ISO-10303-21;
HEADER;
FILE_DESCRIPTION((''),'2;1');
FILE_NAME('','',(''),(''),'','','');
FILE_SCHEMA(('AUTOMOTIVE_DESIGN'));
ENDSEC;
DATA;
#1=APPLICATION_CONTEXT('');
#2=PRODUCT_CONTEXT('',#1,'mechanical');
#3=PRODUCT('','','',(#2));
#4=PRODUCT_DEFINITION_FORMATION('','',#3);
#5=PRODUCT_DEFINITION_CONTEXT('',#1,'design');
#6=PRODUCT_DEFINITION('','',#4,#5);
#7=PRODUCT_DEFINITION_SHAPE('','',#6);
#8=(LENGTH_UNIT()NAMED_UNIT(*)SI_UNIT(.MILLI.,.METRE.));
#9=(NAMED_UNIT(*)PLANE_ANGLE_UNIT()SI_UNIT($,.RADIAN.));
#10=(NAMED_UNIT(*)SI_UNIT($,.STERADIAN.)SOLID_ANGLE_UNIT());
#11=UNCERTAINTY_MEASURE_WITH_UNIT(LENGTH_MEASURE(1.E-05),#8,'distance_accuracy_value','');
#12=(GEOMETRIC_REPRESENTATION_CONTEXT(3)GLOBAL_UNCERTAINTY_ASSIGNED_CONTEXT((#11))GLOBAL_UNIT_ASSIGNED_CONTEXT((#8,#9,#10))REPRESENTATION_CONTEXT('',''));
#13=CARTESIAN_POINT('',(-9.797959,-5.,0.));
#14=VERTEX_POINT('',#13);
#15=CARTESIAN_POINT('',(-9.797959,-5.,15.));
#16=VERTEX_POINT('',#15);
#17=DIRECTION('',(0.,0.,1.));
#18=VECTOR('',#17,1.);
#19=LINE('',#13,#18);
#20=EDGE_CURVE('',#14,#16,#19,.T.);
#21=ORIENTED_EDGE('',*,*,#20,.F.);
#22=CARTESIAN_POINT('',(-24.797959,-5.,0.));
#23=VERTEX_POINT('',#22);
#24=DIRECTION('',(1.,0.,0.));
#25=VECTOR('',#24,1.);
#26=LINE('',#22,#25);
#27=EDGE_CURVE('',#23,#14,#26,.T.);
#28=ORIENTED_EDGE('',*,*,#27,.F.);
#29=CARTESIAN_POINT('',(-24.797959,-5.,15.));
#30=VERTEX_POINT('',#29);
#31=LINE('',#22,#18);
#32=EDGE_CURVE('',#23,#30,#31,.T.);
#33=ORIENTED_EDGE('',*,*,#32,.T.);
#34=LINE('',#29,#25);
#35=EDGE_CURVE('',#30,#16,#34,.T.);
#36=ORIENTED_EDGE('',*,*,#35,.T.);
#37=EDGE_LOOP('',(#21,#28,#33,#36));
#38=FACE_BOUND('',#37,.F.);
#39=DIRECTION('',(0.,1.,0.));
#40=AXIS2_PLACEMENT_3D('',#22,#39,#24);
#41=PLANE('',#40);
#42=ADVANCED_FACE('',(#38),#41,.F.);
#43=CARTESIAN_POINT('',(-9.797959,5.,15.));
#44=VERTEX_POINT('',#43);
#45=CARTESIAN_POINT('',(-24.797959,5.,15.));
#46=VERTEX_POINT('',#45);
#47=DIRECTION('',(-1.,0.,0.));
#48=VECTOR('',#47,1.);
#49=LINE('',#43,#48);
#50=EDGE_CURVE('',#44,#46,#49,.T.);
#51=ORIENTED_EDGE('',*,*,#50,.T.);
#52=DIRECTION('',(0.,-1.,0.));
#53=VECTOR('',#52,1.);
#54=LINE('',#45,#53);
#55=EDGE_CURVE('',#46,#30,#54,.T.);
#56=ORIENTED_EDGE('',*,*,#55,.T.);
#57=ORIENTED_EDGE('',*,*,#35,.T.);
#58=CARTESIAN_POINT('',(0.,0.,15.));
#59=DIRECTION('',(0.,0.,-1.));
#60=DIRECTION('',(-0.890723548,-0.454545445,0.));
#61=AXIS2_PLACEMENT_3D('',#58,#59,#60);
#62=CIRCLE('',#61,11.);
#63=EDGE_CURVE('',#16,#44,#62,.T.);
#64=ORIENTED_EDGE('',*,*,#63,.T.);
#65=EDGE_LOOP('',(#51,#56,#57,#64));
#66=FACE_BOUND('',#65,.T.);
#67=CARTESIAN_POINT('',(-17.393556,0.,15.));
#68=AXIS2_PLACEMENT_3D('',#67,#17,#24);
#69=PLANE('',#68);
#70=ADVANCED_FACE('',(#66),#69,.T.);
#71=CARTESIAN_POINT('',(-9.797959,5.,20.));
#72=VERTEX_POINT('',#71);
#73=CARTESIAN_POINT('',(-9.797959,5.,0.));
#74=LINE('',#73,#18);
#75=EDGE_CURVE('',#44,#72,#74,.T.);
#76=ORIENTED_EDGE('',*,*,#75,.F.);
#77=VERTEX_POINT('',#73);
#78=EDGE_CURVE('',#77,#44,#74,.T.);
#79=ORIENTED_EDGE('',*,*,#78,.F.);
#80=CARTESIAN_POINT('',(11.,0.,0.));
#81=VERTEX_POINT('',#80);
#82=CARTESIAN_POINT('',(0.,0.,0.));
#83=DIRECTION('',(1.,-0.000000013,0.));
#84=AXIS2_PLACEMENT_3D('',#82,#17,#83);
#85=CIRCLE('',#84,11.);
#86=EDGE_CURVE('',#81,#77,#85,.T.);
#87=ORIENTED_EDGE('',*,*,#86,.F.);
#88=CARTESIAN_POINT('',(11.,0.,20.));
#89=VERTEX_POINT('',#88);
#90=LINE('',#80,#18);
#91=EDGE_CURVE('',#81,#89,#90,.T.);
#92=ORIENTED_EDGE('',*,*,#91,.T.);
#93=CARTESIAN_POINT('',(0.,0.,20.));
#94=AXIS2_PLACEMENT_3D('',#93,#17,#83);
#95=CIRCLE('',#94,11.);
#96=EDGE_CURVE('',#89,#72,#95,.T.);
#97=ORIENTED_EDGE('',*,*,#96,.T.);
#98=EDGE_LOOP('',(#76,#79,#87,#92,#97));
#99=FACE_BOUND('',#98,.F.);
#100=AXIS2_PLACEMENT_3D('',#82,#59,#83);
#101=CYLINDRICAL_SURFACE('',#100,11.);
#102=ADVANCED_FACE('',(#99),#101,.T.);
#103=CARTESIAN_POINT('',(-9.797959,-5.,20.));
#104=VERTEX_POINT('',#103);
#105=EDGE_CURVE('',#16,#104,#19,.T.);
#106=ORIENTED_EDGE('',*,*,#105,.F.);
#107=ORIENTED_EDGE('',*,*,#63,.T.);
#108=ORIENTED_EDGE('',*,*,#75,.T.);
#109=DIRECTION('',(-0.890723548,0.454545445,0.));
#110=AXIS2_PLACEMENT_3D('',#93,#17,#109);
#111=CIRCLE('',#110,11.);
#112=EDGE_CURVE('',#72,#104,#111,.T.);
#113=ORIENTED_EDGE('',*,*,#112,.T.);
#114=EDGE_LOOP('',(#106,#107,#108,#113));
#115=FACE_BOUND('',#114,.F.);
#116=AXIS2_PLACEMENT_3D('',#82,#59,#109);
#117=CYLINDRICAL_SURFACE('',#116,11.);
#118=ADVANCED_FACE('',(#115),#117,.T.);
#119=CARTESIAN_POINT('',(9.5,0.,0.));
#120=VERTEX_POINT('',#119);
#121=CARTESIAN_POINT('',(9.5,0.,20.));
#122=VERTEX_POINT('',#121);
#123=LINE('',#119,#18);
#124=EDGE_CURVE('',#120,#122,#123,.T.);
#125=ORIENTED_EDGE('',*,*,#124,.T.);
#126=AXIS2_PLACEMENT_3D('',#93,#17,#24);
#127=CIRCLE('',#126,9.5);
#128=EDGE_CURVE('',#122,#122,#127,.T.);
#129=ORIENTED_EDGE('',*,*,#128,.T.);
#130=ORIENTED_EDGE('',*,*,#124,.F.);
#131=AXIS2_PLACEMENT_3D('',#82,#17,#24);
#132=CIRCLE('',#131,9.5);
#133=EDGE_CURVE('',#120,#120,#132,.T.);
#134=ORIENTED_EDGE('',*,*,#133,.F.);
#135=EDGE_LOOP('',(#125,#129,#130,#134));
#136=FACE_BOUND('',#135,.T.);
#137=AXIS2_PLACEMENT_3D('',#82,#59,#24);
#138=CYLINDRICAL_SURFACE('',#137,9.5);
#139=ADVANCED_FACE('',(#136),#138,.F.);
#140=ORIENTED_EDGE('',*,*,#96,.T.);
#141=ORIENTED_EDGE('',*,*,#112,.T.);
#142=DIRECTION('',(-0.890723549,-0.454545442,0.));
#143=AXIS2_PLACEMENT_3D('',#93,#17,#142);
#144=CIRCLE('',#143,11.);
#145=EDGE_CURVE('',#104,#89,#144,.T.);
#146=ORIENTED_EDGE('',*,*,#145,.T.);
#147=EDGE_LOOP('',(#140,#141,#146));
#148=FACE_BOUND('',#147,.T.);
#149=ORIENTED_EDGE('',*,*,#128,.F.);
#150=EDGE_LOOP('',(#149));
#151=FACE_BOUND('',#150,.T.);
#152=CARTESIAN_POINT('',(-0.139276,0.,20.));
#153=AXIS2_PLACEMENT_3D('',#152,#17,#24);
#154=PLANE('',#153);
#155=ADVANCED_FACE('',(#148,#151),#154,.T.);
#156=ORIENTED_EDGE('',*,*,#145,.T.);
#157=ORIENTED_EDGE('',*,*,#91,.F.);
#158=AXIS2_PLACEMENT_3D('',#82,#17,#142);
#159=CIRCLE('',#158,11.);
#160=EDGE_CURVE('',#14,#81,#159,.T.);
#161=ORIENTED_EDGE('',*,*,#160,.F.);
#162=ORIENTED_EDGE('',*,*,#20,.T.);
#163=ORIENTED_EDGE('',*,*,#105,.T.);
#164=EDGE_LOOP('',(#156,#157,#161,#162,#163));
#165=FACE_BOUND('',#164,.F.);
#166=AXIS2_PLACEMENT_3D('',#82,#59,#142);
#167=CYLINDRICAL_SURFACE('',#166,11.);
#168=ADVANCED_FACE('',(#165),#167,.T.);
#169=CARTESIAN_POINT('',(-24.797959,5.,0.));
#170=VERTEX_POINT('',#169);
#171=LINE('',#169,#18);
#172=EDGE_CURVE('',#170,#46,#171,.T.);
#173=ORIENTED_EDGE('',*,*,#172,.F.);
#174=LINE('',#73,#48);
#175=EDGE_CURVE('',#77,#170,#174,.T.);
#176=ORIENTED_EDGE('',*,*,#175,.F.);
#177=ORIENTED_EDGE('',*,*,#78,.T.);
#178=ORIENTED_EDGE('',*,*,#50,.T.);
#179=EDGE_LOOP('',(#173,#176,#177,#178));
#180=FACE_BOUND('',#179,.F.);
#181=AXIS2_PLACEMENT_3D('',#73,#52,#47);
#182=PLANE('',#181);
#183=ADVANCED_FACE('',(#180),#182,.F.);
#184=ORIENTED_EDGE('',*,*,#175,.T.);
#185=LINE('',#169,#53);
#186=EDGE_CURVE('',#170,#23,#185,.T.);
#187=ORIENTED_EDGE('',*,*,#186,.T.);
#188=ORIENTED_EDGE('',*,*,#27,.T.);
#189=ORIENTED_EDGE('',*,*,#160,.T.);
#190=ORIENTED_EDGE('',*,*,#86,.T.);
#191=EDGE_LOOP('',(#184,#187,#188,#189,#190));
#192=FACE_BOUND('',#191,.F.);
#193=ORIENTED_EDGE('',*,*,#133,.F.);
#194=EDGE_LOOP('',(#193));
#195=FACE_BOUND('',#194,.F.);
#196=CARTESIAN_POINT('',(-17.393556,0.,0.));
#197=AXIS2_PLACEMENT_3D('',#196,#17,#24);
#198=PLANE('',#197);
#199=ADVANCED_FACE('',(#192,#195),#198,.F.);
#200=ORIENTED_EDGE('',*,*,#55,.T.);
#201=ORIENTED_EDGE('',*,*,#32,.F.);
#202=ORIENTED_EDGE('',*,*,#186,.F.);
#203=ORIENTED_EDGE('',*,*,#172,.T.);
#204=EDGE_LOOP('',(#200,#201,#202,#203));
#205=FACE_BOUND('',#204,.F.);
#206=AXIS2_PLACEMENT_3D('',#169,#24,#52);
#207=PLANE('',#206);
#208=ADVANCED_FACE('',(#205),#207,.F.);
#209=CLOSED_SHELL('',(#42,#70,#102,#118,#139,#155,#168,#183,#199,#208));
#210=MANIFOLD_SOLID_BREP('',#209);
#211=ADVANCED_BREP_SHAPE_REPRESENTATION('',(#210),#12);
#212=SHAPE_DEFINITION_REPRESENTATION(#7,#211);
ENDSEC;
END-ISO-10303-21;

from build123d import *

# Parameters (mm, degrees)
F0_R     = 9.5
F1_DEPTH = 20
F2_DEPTH = 15


with BuildPart() as f1:
    # F0 (on Top) → F1 (new body)
    with BuildSketch(Plane.XY):
        with BuildLine():
            ThreePointArc((11, 0), (2.57123, 10.695269), (-9.797959, 5))
            ThreePointArc((-9.797959, 5), (-11, 0), (-9.797959, -5))
            ThreePointArc((-9.797959, -5), (2.57123, -10.695269), (11, 0))
        make_face()
        Circle(F0_R, mode=Mode.SUBTRACT)
    extrude(amount=F1_DEPTH)

    # F0 (on Top) → F2 (join)
    with BuildSketch(Plane.XY):
        with BuildLine():
            Line((-9.797959, 5), (-24.797959, 5))
            Line((-24.797959, 5), (-24.797959, -5))
            Line((-24.797959, -5), (-9.797959, -5))
            ThreePointArc((-9.797959, -5), (-11, 0), (-9.797959, 5))
        make_face()
    extrude(amount=F2_DEPTH)


solid = f1.part
